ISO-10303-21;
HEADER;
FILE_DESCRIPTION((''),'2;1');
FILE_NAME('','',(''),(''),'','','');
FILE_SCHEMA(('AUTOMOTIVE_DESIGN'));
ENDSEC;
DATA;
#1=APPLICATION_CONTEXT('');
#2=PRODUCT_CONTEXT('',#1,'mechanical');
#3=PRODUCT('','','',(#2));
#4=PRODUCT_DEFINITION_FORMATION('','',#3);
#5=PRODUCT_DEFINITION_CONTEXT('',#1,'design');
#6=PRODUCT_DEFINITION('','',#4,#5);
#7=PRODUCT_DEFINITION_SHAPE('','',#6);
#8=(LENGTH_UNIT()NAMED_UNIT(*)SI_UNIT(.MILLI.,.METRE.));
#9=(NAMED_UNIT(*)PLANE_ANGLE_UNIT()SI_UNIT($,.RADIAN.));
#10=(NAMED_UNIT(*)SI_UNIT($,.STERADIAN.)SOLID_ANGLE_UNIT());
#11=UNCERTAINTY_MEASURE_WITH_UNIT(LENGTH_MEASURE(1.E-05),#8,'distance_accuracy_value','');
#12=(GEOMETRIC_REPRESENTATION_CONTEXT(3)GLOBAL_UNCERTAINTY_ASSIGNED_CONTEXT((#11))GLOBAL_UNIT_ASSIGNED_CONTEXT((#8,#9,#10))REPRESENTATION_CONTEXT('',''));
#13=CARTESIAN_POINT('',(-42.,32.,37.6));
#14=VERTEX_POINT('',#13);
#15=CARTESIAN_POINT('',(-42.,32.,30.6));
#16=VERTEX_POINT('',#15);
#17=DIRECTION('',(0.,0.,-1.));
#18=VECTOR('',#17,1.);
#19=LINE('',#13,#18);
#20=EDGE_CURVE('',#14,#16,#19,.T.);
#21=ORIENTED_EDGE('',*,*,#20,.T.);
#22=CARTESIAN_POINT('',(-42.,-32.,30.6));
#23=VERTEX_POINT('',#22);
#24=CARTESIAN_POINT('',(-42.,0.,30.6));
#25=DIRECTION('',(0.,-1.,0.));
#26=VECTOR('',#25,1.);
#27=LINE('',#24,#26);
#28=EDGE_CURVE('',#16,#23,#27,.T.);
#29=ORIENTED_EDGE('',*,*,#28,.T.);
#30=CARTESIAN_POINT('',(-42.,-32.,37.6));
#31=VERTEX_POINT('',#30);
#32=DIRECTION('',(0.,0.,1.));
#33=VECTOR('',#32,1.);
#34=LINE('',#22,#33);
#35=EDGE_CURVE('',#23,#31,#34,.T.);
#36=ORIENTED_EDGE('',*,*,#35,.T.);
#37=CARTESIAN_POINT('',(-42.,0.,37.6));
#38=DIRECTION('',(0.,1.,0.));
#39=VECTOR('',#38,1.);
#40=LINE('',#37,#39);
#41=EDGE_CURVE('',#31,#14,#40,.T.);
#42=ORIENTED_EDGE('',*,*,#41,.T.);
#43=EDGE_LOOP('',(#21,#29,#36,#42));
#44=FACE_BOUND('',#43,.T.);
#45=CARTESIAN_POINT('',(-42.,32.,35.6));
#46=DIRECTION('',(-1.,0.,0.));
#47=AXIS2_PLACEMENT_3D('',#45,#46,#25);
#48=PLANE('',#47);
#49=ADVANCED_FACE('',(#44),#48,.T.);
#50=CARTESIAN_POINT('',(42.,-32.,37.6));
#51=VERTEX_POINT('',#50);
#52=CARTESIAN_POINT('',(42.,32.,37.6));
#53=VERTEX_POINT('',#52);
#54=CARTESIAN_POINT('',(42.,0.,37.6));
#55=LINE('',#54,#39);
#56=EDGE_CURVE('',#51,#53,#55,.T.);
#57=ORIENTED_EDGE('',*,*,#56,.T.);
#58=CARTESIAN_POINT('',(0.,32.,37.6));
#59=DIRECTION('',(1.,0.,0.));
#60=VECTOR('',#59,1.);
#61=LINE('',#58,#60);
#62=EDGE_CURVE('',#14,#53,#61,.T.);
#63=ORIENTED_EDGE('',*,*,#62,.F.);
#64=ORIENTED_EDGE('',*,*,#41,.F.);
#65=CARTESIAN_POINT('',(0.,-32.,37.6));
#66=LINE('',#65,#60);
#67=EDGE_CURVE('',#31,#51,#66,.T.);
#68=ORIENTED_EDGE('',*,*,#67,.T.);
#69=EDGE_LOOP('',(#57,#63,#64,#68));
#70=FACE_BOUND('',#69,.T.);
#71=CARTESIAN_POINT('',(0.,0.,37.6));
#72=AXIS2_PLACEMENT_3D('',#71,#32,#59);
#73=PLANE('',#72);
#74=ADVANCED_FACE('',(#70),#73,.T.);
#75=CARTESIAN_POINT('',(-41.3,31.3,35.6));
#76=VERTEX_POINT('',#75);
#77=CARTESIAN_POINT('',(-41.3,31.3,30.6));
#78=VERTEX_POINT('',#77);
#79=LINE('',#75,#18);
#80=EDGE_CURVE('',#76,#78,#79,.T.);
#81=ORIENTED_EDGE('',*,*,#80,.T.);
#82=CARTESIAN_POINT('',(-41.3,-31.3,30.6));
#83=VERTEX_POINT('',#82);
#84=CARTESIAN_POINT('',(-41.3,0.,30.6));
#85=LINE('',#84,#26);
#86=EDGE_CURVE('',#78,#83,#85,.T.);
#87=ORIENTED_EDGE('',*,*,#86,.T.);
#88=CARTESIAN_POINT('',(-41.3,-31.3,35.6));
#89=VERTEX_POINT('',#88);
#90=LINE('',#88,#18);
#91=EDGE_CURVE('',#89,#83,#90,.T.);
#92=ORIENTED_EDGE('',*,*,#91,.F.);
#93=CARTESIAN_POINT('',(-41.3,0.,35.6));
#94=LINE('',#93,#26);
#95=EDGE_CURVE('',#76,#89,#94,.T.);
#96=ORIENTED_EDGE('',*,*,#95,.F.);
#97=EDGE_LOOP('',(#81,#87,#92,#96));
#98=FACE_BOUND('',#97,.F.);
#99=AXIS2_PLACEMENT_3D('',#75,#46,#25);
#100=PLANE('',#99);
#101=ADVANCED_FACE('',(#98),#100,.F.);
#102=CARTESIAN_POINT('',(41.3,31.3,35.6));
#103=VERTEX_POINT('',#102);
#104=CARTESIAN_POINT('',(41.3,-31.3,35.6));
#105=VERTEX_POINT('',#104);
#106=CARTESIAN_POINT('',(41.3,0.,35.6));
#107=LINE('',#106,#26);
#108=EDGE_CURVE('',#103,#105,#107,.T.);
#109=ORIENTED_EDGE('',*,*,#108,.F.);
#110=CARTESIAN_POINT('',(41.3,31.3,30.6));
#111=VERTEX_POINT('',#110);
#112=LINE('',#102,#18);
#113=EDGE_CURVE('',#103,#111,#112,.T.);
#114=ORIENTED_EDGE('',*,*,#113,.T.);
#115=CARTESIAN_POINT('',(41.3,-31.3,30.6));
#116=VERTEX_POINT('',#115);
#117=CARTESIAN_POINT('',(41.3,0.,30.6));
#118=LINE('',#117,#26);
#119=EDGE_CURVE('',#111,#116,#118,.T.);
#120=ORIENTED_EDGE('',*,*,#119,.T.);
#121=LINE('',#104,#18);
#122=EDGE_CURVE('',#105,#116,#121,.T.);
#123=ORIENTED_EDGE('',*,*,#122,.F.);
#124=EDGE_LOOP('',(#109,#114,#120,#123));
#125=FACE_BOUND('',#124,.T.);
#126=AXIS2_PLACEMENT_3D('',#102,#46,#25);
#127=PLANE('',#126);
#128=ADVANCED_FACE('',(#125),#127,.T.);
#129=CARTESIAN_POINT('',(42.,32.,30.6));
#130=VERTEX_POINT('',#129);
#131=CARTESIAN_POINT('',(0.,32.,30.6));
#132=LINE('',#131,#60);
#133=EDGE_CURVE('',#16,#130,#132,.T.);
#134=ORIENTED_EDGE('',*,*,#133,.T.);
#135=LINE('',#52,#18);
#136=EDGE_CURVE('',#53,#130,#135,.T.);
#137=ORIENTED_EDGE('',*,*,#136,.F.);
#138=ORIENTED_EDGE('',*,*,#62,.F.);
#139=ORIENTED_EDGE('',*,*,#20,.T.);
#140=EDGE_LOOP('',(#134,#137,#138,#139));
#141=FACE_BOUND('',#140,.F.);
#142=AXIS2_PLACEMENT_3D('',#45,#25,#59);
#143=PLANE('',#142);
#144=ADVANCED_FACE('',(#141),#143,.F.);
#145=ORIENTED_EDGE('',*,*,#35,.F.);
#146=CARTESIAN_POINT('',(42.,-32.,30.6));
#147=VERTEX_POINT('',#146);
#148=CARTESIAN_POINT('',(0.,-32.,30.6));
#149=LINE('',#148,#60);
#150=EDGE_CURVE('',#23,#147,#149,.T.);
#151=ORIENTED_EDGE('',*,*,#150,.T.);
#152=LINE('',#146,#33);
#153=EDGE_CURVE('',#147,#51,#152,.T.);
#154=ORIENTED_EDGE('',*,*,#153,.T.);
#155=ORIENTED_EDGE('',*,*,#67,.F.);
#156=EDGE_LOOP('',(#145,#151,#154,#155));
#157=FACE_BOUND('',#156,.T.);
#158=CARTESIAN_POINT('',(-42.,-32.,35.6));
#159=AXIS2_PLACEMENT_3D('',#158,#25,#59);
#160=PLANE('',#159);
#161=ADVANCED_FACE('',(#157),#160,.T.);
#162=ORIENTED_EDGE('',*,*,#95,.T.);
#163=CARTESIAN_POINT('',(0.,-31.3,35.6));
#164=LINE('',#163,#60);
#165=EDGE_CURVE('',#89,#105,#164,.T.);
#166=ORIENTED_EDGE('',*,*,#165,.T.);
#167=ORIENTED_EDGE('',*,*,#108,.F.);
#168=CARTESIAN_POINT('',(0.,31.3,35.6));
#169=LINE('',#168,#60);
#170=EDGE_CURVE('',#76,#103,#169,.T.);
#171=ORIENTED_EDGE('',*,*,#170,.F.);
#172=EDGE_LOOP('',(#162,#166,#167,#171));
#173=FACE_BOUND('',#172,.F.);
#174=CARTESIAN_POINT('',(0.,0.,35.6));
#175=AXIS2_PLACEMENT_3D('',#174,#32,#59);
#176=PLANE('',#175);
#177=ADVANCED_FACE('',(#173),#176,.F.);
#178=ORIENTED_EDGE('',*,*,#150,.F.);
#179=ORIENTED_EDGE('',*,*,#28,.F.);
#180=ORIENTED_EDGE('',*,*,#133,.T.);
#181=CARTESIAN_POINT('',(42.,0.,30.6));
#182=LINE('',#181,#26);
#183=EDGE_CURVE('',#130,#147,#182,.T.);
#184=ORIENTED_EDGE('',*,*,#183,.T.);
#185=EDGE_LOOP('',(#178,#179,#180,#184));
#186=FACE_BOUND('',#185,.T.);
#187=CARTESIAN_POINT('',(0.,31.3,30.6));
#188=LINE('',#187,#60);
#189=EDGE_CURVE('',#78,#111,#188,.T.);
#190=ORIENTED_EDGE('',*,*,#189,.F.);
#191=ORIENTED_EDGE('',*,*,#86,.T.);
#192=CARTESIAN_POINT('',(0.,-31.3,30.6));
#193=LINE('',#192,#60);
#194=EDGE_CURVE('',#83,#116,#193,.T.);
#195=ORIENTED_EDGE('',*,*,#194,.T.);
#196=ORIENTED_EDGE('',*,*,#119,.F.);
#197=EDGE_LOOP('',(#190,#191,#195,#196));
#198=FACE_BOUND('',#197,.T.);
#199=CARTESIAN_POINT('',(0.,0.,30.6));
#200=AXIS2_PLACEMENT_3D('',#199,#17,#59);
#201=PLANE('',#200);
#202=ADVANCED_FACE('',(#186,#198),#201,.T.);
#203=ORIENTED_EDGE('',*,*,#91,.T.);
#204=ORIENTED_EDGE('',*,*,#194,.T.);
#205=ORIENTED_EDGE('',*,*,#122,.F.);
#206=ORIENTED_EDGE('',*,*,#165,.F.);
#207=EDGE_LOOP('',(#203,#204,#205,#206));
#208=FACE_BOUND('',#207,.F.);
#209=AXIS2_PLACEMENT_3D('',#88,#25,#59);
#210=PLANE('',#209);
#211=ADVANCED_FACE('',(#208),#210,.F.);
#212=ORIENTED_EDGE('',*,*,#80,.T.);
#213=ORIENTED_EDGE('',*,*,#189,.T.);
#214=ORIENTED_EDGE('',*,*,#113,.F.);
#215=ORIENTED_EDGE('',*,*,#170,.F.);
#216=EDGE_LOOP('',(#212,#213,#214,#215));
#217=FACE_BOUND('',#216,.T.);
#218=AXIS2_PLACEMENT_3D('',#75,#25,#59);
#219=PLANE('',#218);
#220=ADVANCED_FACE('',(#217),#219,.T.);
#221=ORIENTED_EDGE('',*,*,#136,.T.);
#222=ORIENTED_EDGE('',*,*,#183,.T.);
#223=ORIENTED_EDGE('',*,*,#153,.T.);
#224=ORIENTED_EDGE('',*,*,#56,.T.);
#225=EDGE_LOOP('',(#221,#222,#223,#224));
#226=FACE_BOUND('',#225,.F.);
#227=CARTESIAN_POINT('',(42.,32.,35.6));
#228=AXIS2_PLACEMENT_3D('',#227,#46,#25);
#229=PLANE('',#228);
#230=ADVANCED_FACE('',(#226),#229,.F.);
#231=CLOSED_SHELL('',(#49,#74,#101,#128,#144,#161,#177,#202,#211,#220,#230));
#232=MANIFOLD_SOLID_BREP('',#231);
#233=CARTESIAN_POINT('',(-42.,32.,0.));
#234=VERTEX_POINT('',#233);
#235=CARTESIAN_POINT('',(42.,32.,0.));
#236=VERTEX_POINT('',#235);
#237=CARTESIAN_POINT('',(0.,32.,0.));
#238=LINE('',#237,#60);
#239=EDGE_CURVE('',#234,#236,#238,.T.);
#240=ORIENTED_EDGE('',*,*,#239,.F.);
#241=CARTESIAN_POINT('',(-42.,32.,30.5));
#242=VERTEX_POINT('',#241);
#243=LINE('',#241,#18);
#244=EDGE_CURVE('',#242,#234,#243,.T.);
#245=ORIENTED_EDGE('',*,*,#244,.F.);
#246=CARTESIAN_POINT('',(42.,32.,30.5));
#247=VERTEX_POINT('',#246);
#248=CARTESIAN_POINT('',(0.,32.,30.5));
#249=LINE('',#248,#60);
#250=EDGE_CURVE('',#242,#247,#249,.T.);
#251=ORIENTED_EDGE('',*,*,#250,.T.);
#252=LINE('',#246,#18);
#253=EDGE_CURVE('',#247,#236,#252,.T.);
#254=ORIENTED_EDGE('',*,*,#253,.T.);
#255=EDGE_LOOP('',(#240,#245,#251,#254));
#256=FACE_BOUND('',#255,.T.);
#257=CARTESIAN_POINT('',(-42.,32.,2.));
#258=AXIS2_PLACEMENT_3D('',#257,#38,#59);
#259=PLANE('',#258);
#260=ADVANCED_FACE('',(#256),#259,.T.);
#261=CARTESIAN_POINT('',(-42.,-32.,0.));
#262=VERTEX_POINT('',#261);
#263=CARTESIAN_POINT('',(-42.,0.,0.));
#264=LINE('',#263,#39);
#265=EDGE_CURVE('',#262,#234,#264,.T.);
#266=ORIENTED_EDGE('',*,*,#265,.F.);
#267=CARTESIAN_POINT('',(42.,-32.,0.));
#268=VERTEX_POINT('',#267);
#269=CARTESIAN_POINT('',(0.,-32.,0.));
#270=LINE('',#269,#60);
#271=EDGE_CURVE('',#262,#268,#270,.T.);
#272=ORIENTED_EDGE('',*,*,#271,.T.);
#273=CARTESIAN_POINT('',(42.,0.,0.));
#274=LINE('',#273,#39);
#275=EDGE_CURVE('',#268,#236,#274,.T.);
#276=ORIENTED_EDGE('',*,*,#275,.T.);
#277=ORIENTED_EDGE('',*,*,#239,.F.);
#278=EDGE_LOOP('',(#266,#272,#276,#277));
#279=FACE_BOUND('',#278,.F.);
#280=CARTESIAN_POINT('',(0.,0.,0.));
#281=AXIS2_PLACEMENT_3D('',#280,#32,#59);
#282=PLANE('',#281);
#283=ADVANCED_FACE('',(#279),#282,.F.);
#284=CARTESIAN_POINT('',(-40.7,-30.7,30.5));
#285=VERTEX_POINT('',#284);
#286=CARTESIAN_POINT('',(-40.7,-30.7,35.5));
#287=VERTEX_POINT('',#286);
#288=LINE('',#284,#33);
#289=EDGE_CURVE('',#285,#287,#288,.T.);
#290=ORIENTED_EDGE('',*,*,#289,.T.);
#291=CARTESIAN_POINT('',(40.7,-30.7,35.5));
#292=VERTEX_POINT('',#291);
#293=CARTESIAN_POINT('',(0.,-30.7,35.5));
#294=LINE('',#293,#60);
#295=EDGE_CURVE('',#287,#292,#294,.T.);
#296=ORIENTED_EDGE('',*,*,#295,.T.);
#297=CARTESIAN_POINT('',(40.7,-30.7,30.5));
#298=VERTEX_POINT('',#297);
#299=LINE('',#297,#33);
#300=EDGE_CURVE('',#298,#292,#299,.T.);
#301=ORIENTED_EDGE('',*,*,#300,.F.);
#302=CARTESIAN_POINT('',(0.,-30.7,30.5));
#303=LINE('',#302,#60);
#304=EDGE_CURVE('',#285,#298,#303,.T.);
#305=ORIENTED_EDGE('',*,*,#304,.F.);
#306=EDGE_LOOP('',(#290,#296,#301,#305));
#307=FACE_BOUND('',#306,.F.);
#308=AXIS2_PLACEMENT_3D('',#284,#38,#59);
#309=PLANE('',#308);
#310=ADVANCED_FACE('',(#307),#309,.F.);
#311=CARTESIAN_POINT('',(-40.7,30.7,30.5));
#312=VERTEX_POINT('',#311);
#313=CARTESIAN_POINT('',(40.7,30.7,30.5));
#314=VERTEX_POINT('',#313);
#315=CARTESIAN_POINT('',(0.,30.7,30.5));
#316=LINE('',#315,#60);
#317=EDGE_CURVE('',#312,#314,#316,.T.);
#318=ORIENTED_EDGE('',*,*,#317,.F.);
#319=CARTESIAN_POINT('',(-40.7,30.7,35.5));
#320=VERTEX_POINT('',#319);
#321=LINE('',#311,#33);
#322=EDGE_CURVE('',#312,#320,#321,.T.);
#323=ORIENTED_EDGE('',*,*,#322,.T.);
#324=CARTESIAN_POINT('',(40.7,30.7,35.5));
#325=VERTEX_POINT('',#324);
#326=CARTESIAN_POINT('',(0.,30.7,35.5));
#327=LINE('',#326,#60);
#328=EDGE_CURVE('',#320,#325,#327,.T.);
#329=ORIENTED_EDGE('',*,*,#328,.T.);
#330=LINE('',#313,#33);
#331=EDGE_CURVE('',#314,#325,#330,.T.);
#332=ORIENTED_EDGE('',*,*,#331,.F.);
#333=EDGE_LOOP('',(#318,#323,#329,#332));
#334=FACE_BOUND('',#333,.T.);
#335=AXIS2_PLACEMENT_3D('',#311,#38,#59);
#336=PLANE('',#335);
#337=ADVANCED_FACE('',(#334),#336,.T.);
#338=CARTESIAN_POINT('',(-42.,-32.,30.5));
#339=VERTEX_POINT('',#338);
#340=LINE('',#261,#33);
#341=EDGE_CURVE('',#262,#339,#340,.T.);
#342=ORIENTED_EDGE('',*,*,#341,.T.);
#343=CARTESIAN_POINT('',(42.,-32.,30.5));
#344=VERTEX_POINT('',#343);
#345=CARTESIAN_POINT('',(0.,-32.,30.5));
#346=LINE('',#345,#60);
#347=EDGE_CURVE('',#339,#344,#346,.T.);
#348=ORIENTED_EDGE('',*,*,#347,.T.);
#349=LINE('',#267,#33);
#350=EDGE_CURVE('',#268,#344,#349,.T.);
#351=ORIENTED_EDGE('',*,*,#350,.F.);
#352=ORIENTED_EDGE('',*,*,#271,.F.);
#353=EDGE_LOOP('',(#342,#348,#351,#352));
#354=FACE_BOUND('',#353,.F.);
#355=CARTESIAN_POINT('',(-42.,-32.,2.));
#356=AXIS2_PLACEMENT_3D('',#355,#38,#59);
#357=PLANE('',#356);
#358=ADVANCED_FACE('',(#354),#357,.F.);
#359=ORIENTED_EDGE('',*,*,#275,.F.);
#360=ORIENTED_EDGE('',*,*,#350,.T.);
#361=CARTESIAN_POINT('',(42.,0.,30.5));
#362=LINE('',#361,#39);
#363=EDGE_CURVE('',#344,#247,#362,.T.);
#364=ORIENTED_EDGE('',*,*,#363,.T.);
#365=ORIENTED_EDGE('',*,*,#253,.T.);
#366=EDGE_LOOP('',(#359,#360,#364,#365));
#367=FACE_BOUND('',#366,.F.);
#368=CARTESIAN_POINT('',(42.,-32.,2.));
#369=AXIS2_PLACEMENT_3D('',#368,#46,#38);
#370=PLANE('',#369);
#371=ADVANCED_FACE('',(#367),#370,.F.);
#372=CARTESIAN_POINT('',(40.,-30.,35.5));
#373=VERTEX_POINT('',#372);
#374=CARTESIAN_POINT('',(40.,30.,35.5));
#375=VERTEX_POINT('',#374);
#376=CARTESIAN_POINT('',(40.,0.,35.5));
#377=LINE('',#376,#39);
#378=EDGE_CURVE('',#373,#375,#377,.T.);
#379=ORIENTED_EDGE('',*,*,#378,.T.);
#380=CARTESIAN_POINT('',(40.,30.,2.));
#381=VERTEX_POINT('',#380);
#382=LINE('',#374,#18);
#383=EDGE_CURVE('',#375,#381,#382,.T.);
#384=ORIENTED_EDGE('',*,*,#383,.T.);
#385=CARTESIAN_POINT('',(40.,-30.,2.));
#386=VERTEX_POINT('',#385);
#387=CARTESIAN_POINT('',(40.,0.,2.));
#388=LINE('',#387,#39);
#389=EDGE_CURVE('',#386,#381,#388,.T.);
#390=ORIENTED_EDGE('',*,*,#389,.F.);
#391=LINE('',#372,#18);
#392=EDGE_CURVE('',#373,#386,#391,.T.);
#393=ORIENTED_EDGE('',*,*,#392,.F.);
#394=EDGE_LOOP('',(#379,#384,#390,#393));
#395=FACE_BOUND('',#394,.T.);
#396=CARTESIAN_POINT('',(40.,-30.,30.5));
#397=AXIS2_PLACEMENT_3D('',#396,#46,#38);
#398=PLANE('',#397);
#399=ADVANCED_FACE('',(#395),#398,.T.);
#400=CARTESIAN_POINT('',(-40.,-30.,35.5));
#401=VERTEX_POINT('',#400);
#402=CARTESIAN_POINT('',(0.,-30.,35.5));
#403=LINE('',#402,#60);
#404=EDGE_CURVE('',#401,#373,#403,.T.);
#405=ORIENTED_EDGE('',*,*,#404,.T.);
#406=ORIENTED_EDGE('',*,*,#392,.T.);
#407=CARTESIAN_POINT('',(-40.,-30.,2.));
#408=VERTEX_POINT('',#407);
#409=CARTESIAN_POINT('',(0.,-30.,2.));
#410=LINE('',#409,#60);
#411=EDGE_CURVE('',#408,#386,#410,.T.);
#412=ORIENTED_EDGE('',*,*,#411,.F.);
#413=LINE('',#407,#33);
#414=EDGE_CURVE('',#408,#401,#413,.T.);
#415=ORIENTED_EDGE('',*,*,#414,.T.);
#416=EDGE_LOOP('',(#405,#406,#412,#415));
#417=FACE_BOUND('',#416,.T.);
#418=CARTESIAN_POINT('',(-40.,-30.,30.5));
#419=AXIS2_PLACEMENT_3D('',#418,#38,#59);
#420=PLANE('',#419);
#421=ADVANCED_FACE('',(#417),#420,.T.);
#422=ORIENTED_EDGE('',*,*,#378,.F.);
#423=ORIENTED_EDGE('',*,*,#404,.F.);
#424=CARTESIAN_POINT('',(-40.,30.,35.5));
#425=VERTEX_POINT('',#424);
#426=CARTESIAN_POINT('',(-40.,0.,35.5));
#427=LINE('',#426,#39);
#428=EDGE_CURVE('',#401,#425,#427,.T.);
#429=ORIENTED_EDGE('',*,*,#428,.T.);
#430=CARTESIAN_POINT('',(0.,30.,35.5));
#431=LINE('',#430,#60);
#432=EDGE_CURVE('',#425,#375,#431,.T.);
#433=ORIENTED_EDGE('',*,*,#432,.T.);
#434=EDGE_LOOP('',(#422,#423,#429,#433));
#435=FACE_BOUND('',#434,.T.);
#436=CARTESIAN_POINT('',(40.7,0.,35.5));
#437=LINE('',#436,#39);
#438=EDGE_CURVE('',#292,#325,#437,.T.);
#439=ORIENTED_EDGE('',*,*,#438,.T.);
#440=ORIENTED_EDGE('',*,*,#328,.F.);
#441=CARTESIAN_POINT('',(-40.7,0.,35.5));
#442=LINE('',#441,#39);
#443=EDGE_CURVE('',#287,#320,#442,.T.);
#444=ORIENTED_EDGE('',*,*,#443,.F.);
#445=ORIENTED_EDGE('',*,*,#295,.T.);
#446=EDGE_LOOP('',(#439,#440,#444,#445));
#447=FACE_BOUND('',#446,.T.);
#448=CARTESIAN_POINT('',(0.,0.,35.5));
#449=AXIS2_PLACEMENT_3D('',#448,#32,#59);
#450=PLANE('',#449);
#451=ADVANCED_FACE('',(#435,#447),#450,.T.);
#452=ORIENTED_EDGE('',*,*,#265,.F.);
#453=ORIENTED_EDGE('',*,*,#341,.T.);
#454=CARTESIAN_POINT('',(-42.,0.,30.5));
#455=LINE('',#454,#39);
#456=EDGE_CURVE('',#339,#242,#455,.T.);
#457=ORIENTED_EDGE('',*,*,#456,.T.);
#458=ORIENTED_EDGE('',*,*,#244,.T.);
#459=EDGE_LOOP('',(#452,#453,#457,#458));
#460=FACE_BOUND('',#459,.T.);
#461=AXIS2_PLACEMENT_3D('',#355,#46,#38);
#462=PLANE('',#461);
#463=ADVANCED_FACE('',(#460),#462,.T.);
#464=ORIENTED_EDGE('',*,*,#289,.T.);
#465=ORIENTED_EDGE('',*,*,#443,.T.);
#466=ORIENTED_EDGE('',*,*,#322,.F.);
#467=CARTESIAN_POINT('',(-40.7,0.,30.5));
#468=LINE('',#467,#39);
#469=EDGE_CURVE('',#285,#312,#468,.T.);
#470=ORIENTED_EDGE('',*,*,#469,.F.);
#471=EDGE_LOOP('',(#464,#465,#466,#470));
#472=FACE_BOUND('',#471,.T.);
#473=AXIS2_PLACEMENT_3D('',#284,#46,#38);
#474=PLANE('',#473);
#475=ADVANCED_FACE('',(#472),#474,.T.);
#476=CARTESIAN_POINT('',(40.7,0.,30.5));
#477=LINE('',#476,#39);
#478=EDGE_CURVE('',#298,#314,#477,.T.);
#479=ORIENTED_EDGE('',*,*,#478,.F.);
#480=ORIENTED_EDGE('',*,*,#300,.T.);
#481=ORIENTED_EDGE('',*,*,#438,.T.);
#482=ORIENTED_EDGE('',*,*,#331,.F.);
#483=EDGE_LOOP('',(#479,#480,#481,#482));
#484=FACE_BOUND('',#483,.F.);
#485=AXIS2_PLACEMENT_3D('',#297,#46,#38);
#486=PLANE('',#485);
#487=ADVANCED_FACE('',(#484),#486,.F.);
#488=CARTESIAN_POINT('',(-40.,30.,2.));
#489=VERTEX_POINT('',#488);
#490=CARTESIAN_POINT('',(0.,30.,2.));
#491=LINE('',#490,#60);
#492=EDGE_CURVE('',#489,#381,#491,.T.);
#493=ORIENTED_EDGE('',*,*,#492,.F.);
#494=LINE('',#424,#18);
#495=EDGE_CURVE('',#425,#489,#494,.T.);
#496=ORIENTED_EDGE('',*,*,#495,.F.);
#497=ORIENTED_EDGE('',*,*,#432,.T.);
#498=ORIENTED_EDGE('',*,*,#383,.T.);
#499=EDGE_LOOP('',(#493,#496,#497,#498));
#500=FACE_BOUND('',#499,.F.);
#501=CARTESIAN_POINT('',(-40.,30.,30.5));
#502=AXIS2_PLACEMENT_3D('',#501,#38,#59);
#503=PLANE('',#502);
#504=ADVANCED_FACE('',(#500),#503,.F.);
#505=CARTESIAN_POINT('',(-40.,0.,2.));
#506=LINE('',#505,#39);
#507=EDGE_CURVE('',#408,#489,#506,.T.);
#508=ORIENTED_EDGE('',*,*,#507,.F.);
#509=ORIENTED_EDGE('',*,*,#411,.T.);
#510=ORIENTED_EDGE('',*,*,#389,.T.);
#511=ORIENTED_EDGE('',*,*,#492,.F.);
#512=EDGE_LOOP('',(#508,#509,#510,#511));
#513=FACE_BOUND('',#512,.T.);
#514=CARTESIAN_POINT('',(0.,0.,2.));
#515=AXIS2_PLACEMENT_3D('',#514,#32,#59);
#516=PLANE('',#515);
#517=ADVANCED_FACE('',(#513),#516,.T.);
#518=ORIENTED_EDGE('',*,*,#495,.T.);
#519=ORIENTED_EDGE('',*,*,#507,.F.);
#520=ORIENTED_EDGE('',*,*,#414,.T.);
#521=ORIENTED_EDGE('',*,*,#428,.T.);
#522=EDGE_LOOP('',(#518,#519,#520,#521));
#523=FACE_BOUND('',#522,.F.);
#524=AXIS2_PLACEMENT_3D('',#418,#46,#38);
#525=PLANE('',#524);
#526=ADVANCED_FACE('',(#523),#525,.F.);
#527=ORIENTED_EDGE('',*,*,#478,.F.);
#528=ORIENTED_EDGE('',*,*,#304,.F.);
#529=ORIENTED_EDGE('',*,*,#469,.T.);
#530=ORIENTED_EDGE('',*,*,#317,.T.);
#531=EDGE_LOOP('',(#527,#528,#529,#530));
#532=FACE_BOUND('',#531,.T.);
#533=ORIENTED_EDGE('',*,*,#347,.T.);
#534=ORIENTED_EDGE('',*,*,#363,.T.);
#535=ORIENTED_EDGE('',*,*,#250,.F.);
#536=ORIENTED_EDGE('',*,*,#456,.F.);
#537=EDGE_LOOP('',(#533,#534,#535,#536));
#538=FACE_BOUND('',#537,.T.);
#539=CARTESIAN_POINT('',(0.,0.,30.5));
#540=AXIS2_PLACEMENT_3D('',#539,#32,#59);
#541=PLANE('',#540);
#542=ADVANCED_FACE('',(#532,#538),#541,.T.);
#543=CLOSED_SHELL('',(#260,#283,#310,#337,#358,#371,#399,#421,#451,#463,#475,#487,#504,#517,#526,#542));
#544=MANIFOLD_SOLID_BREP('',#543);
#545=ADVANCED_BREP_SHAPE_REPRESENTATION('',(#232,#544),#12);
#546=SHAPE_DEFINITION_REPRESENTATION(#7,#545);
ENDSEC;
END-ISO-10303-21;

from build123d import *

# Parameters (mm, degrees)
F0_W      = 84
F0_H      = 64
F1_DEPTH  = 2
F2_W      = 84
F2_H      = 64
F2_W_2    = 80
F2_H_2    = 60
F3_DEPTH  = 28.5
F4_W      = 81.4
F4_H      = 61.4
F4_W_2    = 80
F4_H_2    = 60
F5_DEPTH  = 5
F7_W      = 84
F7_H      = 64
F8_DEPTH  = 2
F9_W      = 84
F9_H      = 64
F9_W_2    = 82.6
F9_H_2    = 62.6
F10_DEPTH = 5


with BuildPart() as f1:
    # F0 (on Top) → F1 (new body)
    with BuildSketch(Plane.XY):
        Rectangle(F0_W, F0_H)
    extrude(amount=F1_DEPTH)

    # F2 (on face) → F3 (join)
    with BuildSketch(Plane.XY.offset(2)):
        Rectangle(F2_W, F2_H)
        Rectangle(F2_W_2, F2_H_2, mode=Mode.SUBTRACT)
    extrude(amount=F3_DEPTH)

    # F4 (on face) → F5 (join)
    with BuildSketch(Plane.XY.offset(30.5)):
        Rectangle(F4_W, F4_H)
        Rectangle(F4_W_2, F4_H_2, mode=Mode.SUBTRACT)
    extrude(amount=F5_DEPTH)


with BuildPart() as f8:
    # F7 (on offset) → F8 (new body)
    with BuildSketch(Plane.XY.offset(35.6)):
        Rectangle(F7_W, F7_H)
    extrude(amount=F8_DEPTH)

    # F9 (on face) → F10 (join)
    with BuildSketch(Plane(origin=(0, 0, 35.6), x_dir=(1, 0, 0), z_dir=(0, 0, -1))):
        Rectangle(F9_W, F9_H)
        Rectangle(F9_W_2, F9_H_2, mode=Mode.SUBTRACT)
    extrude(amount=F10_DEPTH)


solid = Compound([f1.part, f8.part])
